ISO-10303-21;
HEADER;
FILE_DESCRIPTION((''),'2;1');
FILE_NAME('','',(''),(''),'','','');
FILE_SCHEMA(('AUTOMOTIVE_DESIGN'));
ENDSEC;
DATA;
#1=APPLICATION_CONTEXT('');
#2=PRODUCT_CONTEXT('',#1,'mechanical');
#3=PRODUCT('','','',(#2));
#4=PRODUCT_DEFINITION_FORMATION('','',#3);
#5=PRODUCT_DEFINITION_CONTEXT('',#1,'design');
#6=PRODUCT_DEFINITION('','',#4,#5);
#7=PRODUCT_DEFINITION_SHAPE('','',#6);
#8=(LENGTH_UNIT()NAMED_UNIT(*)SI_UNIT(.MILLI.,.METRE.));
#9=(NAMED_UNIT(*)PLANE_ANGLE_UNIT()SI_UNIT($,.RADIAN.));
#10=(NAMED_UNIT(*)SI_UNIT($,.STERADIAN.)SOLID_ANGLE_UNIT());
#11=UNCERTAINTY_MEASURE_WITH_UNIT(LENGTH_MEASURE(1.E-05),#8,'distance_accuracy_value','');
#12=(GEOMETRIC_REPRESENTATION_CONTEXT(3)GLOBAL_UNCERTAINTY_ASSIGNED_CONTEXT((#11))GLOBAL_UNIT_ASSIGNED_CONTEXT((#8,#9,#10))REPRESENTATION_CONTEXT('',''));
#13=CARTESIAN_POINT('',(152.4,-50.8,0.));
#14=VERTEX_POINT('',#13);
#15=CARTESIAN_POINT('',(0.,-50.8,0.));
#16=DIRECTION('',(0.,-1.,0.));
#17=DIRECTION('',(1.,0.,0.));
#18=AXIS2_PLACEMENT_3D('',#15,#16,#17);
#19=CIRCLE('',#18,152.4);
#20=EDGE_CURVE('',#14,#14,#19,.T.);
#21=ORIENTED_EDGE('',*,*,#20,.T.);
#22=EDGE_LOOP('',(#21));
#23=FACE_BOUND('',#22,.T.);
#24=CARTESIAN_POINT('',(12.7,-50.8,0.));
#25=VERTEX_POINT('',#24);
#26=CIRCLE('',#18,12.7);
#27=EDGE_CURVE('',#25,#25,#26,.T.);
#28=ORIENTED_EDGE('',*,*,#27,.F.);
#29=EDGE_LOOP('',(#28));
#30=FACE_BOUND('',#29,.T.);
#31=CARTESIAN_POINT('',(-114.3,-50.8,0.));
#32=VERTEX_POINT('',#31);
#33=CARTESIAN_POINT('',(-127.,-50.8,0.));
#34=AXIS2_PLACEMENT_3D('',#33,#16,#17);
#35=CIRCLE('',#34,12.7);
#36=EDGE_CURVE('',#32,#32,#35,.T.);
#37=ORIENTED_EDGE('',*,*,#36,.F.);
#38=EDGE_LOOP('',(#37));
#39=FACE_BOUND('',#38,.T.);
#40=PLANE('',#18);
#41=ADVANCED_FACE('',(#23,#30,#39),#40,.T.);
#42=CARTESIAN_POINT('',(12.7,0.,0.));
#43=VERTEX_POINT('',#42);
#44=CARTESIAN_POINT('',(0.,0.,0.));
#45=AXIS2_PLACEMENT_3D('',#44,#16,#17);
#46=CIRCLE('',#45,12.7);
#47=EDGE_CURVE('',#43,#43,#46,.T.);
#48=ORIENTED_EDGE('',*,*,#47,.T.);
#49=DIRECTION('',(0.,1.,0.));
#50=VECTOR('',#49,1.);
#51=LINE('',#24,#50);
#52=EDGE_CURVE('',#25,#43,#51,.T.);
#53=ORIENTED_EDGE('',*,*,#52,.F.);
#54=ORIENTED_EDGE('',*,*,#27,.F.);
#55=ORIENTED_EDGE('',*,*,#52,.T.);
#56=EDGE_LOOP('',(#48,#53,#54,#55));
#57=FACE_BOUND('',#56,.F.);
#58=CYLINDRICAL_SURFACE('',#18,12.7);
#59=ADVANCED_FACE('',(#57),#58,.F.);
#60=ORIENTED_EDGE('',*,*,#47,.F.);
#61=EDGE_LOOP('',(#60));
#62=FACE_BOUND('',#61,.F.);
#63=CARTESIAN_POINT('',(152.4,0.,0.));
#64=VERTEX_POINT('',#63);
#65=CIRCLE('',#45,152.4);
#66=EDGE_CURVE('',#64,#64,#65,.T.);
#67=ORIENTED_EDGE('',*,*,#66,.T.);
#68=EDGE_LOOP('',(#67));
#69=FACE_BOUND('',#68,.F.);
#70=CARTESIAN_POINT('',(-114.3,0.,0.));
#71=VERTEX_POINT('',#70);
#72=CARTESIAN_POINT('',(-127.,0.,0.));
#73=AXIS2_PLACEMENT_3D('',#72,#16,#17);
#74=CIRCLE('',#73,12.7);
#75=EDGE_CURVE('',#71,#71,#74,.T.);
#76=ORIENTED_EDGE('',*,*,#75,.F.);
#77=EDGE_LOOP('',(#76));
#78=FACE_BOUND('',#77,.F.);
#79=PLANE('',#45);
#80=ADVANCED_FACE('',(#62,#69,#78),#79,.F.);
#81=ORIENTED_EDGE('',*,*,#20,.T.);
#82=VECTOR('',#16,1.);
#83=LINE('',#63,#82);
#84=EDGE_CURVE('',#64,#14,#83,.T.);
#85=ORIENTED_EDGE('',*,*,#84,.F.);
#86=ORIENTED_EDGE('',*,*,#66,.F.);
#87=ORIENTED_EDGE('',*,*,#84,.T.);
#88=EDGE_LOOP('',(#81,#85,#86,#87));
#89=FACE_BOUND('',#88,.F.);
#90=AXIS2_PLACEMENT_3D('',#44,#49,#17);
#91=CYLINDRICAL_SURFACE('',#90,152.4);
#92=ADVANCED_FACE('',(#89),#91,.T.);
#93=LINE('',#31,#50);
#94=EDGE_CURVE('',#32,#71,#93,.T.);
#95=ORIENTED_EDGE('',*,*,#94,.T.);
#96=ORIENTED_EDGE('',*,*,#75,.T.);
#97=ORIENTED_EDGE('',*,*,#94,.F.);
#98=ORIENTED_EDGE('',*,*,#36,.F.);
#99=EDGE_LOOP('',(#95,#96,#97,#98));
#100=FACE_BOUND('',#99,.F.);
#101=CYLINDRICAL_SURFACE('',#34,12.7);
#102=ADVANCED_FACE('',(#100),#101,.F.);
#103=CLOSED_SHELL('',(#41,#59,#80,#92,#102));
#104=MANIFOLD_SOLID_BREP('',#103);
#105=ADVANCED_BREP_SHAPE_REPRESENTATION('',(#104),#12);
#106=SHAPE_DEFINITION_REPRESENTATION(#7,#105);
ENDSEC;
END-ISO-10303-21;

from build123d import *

# Parameters (mm, degrees)
F0_R     = 152.4
F1_DEPTH = 50.8
F2_R     = 12.7
F3_DEPTH = 50.801


with BuildPart() as f1:
    # F0 (on Front) → F1 (new body)
    with BuildSketch(Plane.XZ):
        Circle(F0_R)
    extrude(amount=F1_DEPTH)

    # F2 (on face) → F3 (cut, through all)
    with BuildSketch(Plane.XZ.offset(50.8)):
        with Locations((-127, 0)):
            Circle(F2_R)
        Circle(F2_R)
    extrude(amount=-F3_DEPTH, mode=Mode.SUBTRACT)


solid = f1.part
